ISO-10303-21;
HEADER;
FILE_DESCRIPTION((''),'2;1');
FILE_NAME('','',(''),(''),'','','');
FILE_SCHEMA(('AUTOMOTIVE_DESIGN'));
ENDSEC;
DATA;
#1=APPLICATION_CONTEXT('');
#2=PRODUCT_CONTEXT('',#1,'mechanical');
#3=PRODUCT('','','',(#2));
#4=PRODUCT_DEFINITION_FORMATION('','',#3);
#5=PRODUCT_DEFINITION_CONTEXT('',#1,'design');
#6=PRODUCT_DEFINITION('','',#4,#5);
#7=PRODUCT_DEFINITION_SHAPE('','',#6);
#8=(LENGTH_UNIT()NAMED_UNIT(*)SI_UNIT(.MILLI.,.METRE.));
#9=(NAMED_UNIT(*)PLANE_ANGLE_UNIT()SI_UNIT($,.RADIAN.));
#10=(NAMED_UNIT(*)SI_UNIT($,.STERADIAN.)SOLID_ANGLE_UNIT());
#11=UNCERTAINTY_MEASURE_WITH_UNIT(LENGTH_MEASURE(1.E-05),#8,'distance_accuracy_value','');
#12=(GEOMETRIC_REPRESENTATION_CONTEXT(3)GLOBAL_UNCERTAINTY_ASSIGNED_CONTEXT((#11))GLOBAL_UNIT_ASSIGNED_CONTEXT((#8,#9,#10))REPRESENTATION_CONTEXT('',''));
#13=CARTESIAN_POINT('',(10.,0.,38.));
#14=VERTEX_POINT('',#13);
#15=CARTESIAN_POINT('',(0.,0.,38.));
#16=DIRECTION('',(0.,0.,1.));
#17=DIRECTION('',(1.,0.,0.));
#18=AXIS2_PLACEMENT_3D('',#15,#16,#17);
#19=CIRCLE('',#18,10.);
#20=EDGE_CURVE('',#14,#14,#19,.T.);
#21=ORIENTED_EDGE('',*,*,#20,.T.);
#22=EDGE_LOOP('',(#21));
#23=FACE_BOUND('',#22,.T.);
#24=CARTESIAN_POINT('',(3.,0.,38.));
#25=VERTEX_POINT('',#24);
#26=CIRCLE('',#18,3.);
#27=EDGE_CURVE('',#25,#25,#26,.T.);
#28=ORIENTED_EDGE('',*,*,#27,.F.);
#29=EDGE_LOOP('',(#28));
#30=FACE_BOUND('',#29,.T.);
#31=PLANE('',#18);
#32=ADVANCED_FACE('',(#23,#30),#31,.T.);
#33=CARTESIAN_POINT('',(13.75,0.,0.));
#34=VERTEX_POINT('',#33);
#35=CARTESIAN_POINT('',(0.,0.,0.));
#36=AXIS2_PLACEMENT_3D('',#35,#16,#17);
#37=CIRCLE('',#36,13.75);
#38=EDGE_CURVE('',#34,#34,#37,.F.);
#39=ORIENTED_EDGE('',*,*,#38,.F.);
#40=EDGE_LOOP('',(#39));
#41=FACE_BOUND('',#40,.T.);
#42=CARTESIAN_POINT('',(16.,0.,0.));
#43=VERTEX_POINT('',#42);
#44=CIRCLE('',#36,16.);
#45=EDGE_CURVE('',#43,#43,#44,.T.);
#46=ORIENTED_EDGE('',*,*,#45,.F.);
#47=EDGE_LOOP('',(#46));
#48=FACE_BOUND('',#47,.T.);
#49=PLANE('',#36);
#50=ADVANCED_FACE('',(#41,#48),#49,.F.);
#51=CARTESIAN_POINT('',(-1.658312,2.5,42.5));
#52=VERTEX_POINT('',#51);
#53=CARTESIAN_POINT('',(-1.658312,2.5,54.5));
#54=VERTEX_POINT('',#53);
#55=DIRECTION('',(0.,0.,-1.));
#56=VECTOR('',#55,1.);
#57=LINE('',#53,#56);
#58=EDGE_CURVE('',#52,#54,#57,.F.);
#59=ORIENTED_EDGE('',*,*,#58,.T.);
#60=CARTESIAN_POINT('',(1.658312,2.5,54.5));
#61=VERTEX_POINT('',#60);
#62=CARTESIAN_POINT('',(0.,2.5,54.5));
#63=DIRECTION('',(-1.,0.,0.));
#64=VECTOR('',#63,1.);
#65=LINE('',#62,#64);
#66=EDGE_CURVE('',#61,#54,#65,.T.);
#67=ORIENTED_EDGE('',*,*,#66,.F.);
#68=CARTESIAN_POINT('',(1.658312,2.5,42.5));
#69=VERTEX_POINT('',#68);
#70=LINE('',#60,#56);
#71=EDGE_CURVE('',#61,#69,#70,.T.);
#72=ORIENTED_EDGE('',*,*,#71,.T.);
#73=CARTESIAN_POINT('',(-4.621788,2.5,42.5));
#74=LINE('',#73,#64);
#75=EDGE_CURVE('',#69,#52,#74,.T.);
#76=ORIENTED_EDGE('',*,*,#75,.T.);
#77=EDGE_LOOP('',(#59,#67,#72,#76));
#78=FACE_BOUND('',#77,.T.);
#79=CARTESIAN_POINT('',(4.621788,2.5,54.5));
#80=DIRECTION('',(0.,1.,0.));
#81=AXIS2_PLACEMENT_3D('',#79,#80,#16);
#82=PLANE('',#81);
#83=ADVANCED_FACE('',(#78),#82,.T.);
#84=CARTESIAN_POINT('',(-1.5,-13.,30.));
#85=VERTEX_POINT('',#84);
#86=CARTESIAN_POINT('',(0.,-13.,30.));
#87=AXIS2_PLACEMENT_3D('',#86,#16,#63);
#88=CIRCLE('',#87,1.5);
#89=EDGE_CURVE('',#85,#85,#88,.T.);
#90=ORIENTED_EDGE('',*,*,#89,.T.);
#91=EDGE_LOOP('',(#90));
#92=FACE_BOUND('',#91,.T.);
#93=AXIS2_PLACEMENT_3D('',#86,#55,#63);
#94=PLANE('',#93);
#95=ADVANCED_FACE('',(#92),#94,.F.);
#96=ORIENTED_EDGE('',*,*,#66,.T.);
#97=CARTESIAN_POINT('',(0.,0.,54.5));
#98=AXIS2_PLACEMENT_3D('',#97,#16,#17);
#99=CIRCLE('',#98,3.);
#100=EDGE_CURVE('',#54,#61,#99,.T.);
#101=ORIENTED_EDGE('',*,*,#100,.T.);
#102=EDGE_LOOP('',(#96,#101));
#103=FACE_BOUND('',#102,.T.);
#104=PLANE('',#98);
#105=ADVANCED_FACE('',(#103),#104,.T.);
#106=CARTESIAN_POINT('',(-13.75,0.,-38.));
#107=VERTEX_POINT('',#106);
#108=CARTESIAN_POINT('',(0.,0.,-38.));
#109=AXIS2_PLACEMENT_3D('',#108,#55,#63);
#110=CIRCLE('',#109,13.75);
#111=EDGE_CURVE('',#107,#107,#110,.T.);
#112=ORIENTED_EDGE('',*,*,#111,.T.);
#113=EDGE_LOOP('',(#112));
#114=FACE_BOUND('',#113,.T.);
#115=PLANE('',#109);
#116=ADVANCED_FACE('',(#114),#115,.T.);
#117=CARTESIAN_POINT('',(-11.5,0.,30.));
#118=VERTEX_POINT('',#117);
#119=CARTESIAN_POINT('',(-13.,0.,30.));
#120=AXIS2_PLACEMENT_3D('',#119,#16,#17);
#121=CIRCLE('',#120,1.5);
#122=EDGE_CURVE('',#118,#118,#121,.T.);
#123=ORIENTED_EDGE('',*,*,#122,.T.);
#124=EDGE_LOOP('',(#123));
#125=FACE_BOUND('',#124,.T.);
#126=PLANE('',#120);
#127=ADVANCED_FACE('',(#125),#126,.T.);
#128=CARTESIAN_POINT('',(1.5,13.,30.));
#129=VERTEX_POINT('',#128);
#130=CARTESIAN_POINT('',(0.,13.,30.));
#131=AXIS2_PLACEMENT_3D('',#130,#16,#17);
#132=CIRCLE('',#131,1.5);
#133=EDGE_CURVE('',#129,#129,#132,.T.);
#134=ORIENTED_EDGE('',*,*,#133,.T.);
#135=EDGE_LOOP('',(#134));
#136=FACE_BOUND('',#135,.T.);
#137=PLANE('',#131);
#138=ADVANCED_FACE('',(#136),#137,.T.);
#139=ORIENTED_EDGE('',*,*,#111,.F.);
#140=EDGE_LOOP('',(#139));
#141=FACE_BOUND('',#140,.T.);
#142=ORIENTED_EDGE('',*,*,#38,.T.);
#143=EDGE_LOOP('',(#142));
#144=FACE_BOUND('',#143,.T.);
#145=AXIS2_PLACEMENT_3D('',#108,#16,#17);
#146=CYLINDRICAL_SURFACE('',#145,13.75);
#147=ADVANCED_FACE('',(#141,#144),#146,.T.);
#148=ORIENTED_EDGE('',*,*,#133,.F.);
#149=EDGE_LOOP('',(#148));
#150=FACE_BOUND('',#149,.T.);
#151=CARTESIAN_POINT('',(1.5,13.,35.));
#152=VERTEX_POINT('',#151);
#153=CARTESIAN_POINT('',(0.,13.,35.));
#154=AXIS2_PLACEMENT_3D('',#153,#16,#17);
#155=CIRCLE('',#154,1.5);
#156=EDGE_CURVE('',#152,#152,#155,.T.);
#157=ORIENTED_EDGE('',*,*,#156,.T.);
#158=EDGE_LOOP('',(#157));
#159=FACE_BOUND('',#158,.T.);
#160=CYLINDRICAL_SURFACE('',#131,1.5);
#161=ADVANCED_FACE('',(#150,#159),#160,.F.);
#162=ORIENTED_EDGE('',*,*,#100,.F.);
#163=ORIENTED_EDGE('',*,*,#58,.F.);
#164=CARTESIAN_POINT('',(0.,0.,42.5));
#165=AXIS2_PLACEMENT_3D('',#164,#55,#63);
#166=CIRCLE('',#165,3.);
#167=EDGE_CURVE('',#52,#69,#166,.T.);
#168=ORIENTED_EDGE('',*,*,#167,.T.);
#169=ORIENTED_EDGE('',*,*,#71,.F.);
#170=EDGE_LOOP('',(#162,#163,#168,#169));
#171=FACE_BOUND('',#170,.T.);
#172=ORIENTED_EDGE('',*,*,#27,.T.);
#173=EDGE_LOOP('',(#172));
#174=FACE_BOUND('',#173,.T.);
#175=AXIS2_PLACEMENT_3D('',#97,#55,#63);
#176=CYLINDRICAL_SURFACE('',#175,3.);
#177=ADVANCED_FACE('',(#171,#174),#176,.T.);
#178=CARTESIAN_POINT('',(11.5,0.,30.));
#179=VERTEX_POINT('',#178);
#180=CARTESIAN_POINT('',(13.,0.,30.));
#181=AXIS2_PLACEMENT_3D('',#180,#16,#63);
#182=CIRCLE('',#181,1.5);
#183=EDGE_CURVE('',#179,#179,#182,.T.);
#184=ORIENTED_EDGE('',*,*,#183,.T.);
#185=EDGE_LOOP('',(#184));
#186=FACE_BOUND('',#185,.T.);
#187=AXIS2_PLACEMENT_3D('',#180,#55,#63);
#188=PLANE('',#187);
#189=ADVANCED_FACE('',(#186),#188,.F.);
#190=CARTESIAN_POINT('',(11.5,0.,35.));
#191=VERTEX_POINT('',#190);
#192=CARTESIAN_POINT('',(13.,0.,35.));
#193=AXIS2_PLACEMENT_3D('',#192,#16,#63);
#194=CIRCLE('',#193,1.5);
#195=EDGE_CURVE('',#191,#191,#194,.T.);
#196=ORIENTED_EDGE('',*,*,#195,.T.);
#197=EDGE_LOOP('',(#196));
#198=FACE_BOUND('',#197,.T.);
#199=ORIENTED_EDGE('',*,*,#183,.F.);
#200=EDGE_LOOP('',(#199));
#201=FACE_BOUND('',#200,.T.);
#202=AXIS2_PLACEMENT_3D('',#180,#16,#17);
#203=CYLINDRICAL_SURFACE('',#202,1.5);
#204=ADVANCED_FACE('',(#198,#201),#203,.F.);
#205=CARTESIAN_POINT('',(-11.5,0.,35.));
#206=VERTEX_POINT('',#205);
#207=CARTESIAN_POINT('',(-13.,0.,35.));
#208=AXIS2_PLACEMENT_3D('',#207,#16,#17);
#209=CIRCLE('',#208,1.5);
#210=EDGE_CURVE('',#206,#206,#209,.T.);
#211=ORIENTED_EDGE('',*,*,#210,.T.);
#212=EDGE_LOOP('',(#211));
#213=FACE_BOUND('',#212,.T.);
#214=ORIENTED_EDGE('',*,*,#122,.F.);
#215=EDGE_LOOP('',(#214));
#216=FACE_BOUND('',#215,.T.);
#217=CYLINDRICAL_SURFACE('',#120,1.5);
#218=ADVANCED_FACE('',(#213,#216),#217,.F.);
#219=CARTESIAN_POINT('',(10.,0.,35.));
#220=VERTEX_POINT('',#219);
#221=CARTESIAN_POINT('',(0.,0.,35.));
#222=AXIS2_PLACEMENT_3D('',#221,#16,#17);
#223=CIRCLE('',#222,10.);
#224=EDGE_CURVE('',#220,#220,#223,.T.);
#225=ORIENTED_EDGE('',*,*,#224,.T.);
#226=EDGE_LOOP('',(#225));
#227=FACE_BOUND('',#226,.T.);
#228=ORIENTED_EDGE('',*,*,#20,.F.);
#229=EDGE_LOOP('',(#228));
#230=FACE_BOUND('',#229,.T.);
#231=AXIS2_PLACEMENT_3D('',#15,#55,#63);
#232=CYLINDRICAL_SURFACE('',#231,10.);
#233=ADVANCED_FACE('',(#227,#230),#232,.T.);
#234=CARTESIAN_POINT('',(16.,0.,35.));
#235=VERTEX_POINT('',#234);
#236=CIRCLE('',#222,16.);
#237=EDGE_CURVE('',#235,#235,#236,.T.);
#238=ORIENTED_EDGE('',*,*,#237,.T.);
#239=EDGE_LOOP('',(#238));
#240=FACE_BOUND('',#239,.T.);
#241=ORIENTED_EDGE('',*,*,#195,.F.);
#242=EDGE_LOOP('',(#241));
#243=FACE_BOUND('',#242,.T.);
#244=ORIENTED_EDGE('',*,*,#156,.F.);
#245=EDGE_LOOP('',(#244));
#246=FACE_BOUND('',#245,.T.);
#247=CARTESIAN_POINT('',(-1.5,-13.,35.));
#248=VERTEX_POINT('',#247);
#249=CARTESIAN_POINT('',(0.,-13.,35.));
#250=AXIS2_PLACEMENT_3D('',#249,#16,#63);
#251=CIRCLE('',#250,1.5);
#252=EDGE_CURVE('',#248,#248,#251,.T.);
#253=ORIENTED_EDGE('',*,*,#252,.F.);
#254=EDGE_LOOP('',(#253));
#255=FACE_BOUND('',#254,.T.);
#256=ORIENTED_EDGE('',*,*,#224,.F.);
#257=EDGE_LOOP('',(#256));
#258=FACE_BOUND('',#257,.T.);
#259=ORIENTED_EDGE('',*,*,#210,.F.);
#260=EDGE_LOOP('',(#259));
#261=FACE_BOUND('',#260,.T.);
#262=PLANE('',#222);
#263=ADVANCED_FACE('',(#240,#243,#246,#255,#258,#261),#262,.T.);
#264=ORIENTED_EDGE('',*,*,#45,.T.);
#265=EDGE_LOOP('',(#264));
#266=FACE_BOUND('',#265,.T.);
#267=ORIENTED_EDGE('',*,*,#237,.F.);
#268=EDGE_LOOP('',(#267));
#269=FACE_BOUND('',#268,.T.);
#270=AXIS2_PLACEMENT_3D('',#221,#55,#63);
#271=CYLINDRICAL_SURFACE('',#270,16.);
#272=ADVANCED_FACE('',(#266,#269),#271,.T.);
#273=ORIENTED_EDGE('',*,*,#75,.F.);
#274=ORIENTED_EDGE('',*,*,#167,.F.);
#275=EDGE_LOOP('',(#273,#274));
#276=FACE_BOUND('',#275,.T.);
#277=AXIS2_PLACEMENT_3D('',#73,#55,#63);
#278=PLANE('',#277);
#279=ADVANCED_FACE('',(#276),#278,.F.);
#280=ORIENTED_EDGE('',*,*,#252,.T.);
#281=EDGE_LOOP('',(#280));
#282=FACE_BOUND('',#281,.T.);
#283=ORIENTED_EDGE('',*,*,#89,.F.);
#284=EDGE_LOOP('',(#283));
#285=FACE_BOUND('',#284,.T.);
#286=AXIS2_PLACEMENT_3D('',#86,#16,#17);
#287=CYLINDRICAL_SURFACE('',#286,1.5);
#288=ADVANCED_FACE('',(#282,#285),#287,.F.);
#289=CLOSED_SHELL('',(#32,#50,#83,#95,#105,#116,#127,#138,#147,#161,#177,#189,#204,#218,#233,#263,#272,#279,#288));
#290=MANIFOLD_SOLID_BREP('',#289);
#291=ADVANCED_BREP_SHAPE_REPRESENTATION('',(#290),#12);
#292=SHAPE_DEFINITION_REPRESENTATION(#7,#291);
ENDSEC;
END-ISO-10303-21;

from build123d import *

# Parameters (mm, degrees)
SKETCH_1_R          = 16
EXTRUDE_1_DEPTH     = 35
SKETCH_2_R          = 10
EXTRUDE_2_DEPTH     = 3
SKETCH_3_R          = 3
EXTRUDE_3_DEPTH     = 16.5
CUT_EXTRUDE_START   = 3
SKETCH_4_W          = 9.243576196
SKETCH_4_H          = 12
CUT_EXTRUDE_1_DEPTH = 0.5
SKETCH_5_R          = 13.75
EXTRUDE_4_DEPTH     = 38
SKETCH_6_R          = 1.5
CUT_EXTRUDE_2_DEPTH = 5


with BuildPart() as part:
    # ｽｹｯﾁ1 → ﾎﾞｽ - 押し出し1 (new body)
    with BuildSketch(Plane.XY):
        Circle(SKETCH_1_R)
    extrude(amount=EXTRUDE_1_DEPTH)

    # ｽｹｯﾁ2 → ﾎﾞｽ - 押し出し2 (add)
    with BuildSketch(Plane.XY.offset(35)):
        Circle(SKETCH_2_R)
    extrude(amount=EXTRUDE_2_DEPTH)

    # ｽｹｯﾁ3 → ﾎﾞｽ - 押し出し3 (add)
    with BuildSketch(Plane.XY.offset(38)):
        Circle(SKETCH_3_R)
    extrude(amount=EXTRUDE_3_DEPTH)

    # ｽｹｯﾁ4 → ｶｯﾄ - 押し出し1 (cut)
    with BuildSketch(Plane(origin=(0, 0, 0), x_dir=(1, 0, 0), z_dir=(0, 1, 0)).offset(CUT_EXTRUDE_START)):
        with Locations((0, -48.5)):
            Rectangle(SKETCH_4_W, SKETCH_4_H)
    extrude(amount=-CUT_EXTRUDE_1_DEPTH, mode=Mode.SUBTRACT)

    # ｽｹｯﾁ5 → ﾎﾞｽ - 押し出し4 (add)
    with BuildSketch(Plane(origin=(0, 0, 0), x_dir=(-1, 0, 0), z_dir=(0, 0, -1))):
        with Locations(Location((0, 0, 0), (0, 0, 180))):
            Circle(SKETCH_5_R)
    extrude(amount=EXTRUDE_4_DEPTH)

    # ｽｹｯﾁ6 → ｶｯﾄ - 押し出し2 (cut)
    with BuildSketch(Plane.XY.offset(35)):
        with Locations((0, 13)):
            Circle(SKETCH_6_R)
        with Locations((-13, 0)):
            Circle(SKETCH_6_R)
        with Locations(Location((13, 0, 0), (0, 0, 180))):
            Circle(SKETCH_6_R)
        with Locations(Location((0, -13, 0), (0, 0, 180))):
            Circle(SKETCH_6_R)
    extrude(amount=-CUT_EXTRUDE_2_DEPTH, mode=Mode.SUBTRACT)


solid = part.part
